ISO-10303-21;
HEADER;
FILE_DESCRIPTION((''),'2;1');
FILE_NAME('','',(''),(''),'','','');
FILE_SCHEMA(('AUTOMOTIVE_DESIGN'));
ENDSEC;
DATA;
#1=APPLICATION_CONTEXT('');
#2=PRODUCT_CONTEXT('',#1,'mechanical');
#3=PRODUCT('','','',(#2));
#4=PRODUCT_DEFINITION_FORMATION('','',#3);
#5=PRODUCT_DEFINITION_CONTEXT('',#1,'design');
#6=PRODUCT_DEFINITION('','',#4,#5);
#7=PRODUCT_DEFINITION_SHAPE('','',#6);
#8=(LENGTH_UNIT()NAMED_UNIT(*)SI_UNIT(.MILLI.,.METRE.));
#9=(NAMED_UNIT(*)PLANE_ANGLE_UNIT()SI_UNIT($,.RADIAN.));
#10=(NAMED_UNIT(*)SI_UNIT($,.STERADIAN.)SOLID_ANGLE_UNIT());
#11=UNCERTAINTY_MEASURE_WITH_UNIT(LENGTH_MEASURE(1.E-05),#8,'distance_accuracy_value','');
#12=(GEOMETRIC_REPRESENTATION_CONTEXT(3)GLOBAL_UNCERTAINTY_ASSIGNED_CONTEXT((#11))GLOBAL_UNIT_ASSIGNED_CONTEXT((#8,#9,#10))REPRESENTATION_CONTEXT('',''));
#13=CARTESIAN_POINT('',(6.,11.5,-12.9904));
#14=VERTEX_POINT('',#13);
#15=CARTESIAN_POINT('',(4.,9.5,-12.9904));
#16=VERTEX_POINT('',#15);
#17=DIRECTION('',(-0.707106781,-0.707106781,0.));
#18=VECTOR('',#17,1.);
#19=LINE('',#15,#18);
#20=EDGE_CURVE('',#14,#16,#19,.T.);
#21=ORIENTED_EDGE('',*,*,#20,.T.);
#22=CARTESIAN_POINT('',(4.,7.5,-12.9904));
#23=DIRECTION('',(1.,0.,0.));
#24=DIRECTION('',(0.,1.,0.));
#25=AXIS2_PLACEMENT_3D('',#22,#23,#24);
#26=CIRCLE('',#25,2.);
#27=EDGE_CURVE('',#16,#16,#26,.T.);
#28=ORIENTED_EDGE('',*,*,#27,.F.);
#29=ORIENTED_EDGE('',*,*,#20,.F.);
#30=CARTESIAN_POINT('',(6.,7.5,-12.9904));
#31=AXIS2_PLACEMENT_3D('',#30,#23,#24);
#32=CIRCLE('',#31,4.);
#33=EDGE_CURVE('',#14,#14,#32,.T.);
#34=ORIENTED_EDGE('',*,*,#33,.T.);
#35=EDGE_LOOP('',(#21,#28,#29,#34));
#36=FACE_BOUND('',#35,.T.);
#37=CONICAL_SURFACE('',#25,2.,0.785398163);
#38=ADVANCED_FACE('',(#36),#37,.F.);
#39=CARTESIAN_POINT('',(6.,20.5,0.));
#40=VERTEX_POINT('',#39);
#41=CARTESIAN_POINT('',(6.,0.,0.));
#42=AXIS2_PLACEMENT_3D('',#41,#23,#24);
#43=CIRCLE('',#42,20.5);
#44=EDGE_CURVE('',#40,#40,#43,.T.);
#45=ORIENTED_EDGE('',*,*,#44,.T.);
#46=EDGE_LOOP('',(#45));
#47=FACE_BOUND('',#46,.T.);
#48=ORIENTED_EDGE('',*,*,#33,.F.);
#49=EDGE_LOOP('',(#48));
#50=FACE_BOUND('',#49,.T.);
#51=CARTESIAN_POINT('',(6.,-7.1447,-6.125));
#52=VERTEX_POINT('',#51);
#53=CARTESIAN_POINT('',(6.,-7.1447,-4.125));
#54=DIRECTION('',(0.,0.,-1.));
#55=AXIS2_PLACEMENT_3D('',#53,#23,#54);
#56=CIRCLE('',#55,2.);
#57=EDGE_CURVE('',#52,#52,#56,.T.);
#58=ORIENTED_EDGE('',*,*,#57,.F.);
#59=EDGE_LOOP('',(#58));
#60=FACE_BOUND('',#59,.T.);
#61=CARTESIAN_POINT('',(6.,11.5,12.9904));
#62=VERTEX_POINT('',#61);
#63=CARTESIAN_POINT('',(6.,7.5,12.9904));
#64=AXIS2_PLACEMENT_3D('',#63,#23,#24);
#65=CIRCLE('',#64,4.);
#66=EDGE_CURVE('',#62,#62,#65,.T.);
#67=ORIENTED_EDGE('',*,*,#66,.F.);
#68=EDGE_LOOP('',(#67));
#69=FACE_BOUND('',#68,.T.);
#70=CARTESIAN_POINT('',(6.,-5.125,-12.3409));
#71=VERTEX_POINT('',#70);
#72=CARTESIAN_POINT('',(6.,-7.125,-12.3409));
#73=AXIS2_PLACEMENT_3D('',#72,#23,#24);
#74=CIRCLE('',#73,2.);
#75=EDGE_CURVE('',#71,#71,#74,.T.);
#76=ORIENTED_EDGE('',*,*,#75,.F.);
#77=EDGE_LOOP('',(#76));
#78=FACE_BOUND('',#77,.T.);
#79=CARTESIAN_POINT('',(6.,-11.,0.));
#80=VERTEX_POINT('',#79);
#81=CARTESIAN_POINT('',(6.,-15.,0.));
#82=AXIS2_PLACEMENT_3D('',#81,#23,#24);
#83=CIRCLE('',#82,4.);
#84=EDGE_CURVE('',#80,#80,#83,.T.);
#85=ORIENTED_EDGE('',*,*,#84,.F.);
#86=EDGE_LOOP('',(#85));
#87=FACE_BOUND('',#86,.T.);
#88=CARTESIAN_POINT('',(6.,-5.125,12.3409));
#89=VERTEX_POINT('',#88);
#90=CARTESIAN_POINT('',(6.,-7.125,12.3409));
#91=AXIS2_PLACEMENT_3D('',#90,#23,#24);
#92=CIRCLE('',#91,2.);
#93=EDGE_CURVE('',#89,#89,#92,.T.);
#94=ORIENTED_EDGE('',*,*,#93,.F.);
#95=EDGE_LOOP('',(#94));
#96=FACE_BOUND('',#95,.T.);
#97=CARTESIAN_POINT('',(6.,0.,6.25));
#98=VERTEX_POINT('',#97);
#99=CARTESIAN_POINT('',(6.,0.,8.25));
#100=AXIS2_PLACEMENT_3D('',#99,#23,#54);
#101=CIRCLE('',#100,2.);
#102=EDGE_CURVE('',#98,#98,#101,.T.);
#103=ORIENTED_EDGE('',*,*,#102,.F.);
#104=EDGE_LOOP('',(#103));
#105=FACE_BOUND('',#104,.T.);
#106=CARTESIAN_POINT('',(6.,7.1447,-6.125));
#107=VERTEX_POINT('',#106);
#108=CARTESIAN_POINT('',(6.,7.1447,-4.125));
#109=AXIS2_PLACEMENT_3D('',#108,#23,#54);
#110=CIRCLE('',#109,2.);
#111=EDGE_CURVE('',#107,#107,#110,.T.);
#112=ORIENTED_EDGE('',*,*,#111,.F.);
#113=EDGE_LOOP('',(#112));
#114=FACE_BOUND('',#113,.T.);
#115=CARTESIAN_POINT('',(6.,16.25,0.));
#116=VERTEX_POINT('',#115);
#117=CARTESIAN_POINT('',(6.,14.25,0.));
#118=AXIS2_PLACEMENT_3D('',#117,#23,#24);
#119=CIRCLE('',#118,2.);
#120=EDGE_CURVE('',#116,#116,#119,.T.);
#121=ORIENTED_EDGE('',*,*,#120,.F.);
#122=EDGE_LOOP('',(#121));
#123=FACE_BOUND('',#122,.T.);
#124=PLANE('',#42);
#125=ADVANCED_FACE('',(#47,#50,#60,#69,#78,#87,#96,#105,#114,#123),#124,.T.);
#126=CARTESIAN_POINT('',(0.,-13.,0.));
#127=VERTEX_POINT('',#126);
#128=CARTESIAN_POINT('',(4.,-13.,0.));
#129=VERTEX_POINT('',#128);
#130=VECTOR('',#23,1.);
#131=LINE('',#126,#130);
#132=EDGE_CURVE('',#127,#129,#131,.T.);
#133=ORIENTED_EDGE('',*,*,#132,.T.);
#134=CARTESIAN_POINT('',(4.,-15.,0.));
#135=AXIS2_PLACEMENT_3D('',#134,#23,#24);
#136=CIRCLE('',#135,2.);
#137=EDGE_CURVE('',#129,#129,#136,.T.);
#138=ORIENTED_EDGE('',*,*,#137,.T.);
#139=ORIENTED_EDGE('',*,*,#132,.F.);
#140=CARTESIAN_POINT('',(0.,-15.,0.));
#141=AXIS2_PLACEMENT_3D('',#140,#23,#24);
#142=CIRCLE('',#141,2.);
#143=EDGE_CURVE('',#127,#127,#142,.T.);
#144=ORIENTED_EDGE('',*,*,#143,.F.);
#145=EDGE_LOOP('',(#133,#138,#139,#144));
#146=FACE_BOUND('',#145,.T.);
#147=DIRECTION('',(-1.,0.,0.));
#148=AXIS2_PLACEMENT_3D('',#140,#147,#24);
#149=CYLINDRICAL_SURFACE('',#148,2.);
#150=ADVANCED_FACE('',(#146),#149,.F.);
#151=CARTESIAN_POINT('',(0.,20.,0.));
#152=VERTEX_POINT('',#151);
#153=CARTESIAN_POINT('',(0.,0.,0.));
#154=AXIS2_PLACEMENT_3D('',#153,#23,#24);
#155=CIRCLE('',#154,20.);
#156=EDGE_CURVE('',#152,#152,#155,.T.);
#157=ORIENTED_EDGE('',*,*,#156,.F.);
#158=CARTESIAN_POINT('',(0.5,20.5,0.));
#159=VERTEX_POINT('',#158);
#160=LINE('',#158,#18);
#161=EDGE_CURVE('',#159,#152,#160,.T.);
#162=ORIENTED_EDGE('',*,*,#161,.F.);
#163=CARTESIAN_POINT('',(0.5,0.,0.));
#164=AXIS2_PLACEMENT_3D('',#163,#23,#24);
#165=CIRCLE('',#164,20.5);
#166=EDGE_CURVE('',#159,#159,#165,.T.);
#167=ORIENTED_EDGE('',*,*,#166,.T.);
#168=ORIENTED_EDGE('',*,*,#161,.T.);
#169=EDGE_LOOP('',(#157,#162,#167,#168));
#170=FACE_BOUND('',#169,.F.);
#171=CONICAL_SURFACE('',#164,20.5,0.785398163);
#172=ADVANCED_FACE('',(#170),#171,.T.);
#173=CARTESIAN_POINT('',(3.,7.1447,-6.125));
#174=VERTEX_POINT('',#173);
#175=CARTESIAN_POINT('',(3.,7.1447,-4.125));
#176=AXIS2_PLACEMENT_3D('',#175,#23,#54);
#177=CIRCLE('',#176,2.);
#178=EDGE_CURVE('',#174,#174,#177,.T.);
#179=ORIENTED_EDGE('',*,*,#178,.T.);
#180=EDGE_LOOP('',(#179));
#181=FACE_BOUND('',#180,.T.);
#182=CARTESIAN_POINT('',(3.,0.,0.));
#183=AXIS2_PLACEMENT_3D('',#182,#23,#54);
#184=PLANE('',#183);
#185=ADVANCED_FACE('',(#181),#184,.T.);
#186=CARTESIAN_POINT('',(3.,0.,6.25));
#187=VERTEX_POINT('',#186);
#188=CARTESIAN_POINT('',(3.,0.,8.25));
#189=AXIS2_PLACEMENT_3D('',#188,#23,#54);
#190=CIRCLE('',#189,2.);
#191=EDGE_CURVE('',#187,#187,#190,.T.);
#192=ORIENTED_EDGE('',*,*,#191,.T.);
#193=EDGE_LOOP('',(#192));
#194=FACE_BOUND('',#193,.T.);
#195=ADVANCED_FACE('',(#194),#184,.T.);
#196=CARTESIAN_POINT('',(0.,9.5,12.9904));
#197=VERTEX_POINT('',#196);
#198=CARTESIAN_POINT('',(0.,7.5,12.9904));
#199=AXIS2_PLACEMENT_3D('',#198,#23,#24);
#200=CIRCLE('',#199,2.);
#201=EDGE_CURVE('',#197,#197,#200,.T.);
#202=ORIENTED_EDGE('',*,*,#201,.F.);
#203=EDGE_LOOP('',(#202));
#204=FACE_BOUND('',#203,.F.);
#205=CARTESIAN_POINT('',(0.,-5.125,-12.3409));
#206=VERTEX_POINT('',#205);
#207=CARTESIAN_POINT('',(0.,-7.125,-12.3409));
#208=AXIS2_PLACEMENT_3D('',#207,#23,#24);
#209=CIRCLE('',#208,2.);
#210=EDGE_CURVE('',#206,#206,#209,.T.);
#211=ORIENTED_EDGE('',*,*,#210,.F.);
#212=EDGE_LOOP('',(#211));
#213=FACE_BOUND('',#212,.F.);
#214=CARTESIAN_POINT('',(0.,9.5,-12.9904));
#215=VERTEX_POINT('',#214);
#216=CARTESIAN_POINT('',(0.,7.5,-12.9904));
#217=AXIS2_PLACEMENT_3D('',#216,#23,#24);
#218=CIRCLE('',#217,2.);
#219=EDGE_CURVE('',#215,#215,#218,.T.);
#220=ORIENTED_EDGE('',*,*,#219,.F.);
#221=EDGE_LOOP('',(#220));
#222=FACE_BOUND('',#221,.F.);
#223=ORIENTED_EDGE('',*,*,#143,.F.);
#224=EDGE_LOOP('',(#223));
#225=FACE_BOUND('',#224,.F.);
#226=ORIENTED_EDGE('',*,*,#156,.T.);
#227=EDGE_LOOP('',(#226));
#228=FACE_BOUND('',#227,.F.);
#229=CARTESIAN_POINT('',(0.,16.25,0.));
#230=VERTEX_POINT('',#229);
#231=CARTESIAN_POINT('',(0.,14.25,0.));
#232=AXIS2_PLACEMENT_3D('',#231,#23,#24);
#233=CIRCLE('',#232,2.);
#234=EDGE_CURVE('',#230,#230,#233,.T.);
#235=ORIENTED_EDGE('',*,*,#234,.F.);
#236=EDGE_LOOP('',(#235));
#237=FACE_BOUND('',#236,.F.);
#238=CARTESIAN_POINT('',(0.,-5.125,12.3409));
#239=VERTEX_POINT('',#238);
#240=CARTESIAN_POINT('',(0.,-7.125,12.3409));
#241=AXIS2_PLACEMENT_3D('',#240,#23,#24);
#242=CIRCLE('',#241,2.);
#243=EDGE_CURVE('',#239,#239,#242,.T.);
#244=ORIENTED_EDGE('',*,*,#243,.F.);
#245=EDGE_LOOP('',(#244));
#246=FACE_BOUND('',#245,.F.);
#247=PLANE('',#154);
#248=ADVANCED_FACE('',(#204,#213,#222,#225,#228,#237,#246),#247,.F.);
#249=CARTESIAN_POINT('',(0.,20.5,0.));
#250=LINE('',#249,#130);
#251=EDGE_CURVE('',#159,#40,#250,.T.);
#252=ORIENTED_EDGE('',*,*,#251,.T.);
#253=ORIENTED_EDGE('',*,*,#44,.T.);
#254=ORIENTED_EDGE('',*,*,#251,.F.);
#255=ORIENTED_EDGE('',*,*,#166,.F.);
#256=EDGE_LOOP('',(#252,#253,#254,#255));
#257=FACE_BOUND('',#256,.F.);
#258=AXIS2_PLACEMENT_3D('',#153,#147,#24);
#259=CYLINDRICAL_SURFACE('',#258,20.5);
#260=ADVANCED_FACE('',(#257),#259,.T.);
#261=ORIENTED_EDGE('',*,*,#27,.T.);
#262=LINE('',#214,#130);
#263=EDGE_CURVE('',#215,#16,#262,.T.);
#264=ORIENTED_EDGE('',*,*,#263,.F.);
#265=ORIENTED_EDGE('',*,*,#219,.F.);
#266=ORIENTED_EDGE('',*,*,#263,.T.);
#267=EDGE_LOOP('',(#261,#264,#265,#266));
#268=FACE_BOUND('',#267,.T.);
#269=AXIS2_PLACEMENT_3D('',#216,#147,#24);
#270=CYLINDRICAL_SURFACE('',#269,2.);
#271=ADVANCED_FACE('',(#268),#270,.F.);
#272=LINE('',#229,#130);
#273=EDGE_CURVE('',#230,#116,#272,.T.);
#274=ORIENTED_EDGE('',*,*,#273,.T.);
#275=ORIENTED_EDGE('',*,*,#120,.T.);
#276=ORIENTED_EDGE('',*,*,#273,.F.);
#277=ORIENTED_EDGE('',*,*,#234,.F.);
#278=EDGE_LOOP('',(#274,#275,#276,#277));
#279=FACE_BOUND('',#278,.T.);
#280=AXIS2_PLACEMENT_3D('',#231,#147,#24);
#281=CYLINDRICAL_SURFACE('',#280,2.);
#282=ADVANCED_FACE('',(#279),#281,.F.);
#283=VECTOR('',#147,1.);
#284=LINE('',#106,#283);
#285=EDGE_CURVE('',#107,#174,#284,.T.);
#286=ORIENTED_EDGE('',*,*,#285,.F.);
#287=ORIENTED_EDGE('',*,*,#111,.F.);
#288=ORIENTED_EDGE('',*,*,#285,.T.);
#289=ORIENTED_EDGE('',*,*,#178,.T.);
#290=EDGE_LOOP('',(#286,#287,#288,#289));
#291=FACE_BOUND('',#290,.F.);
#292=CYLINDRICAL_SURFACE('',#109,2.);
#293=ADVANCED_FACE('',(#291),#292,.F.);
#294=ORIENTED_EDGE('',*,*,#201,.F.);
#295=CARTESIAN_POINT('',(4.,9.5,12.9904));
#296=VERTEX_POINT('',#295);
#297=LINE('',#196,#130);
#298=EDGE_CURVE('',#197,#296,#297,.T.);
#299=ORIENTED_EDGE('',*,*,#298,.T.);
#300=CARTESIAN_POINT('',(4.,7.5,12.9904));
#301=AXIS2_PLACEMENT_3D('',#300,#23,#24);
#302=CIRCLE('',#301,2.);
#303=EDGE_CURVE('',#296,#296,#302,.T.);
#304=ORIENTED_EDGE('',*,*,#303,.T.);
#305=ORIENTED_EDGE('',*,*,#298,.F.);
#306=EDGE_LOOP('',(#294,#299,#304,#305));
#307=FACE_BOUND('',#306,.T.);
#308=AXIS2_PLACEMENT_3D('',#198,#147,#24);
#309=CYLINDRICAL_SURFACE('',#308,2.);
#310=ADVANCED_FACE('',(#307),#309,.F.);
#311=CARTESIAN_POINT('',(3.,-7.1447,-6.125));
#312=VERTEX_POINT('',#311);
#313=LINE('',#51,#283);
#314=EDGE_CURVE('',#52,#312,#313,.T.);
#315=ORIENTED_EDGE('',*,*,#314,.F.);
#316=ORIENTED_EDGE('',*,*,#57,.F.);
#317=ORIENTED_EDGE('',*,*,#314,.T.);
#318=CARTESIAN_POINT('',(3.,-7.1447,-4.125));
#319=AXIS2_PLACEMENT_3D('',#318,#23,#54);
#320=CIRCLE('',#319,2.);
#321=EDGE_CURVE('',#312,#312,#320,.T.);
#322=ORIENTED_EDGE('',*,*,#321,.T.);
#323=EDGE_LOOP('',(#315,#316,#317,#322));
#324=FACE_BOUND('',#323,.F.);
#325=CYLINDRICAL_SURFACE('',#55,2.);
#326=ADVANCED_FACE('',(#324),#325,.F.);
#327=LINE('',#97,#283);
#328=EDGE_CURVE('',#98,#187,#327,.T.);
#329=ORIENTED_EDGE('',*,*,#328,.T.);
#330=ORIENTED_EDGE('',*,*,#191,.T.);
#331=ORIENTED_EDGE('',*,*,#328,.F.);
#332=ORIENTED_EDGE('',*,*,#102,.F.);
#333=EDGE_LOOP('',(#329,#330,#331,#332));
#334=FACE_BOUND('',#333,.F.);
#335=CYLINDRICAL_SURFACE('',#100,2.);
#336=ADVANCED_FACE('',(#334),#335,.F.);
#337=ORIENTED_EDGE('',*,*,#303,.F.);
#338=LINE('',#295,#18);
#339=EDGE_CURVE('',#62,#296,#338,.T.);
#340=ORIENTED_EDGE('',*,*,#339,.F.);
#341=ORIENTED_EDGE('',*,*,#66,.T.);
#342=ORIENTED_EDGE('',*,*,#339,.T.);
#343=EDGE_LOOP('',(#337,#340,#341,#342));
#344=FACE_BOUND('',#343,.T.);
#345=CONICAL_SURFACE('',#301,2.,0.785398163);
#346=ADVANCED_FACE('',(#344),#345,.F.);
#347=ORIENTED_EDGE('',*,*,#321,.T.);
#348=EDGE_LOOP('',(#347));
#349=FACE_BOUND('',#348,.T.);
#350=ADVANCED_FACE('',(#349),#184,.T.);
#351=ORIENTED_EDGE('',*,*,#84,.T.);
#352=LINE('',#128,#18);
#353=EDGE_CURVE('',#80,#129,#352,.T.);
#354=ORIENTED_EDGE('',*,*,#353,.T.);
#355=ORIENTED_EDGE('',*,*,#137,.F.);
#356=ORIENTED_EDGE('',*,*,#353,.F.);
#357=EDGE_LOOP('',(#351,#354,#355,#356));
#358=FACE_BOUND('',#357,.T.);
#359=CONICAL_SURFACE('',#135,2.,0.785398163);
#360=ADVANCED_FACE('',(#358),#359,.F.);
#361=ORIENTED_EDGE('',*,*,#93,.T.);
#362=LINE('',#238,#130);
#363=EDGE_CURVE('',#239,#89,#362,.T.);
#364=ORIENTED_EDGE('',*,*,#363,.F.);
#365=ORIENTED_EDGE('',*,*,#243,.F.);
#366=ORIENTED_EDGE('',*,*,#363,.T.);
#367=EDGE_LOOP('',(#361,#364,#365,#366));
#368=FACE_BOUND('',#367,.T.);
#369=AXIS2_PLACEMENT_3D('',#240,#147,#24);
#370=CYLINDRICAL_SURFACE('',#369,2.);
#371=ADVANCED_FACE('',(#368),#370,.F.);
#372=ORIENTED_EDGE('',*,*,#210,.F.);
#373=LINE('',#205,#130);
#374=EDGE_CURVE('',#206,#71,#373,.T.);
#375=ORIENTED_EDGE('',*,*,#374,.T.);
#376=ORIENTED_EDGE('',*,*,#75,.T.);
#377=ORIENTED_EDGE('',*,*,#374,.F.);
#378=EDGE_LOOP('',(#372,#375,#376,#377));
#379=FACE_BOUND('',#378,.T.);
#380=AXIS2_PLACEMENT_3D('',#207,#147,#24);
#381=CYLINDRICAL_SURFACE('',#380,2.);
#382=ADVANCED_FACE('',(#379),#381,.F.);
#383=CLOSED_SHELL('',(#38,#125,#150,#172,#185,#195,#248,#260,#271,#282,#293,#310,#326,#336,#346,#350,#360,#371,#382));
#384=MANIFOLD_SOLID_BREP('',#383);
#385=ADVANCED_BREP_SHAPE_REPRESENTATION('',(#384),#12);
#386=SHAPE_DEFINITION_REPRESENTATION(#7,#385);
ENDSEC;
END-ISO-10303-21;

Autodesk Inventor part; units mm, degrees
ref_plane "YZ Plane" through (0, 0, 0) normal (1, 0, 0) x (0, 1, 0)
ref_plane "XZ Plane" through (0, 0, 0) normal (0, 1, 0) x (-1, 0, 0)
ref_plane "XY Plane" through (0, 0, 0) normal (0, 0, 1) x (1, 0, 0)
sketch "Sketch1" plane through (0, 0, 0) normal (1, 0, 0) x (0, 1, 0)
  circle A0 centre (0, 0) radius 20.5
  circle A1 centre (0, 0) radius 15 construction
  line L0 (0, 0) -> (16.0369, -27.7767) construction
  line L1 (16.0369, -27.7767) -> (16.0369, 0) construction
  line L2 (16.0369, 0) -> (0, 0) construction
  circle A2 centre (0, 0) radius 14.25 construction
  line L3 (0, 0) -> (-15.2425, -26.4009) construction
  line L4 (-15.2425, -26.4009) -> (-20.5, 0) construction
  line L5 (0, 0) -> (-20.5, 0) construction
  circle A3 centre (7.5, -12.9904) radius 2
  circle A4 centre (7.5, 12.9904) radius 2
  circle A5 centre (-15, 0) radius 2
  circle A6 centre (14.25, 0) radius 2
  circle A7 centre (-7.125, 12.3409) radius 2
  circle A8 centre (-7.125, -12.3409) radius 2
  dimension "d0" = 41
  dimension "d1" = 30
  dimension "d16" = 28.5
  dimension "d15" = 60
  dimension "d22" = 60
  dimension "d28" = 4
  dimension "d31" = 360
  dimension "d33" = 4
  dimension "d36" = 360
extrude "Extrusion1" add sketch "Sketch1" along normal blind 6
chamfer "Chamfer2" distance 0.5 angle 45 1 edges at (0, -20.5, 0)
chamfer "Chamfer3" distance 2 angle 45 3 edges at (6, 5.5, 12.9904) (6, 5.5, -12.9904) (6, -17, 0)
sketch "Sketch5" plane through (6, 0, 0) normal (1, 0, 0) x (0, 0, -1)
  circle A0 centre (0, 0) radius 8.25 construction
  line L0 (0, 0) -> (16.9526, 0) construction
  line L1 (0, 0) -> (12.1845, 21.1041) construction
  circle A1 centre (4.125, 7.1447) radius 2
  circle A2 centre (-8.25, 0) radius 2
  circle A3 centre (4.125, -7.1447) radius 2
  dimension "d44" = 16.5
  dimension "d45" = 60
  dimension "d46" = 4
  dimension "d49" = 360
extrude "Extrusion3" cut sketch "Sketch5" against normal blind 3
properties part number "ab_hip_joint_connector"
